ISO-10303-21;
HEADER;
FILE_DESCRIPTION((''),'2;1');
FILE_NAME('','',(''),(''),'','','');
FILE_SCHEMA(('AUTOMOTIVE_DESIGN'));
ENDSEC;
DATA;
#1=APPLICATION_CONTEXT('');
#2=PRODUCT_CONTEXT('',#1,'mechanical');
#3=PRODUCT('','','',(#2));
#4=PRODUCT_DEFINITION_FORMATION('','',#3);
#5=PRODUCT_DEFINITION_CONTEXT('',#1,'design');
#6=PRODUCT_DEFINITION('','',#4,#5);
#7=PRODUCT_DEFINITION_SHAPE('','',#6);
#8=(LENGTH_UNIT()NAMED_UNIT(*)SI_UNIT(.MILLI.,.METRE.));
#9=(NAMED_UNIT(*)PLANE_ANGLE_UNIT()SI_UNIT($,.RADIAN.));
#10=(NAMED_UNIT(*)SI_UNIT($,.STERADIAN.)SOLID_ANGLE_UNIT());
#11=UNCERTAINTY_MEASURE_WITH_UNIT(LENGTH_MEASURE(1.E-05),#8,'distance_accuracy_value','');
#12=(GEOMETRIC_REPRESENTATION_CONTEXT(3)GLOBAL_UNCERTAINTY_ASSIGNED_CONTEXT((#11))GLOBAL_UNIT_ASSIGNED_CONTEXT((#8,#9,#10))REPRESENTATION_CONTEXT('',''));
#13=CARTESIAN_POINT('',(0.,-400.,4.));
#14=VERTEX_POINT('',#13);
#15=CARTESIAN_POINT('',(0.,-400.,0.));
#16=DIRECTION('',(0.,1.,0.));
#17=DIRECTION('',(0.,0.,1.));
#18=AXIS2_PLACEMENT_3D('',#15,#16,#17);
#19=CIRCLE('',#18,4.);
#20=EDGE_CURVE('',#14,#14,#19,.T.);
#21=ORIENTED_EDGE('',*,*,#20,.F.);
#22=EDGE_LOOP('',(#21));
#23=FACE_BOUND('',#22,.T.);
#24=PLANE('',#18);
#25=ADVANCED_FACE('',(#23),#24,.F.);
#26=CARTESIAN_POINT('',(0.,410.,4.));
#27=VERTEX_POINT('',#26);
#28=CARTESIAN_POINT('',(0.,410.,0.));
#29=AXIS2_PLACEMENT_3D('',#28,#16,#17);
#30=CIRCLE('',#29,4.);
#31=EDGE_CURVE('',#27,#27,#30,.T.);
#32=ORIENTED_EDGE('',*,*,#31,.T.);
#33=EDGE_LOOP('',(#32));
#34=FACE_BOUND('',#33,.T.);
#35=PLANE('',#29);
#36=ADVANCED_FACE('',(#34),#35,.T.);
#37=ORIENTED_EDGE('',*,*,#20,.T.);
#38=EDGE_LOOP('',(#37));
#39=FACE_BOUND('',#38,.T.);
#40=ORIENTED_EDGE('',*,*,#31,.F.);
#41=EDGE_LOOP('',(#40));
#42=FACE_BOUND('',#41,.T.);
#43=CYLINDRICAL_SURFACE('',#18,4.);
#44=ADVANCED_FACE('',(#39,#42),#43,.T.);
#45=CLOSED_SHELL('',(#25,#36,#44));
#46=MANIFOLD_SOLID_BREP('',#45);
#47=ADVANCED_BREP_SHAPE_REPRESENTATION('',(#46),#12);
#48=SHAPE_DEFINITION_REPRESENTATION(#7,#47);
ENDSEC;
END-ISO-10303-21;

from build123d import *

# Parameters (mm, degrees)
BOSS_EXTRUDE1_DEPTH      = 410
BOSS_EXTRUDE1_DEPTH_BACK = 400
SKETCH1_R                = 4


with BuildPart() as part:
    # Sketch1 → Boss-Extrude1 (new, two sides: drawn at the far end of the back side and taken through both)
    with BuildSketch(Plane(origin=(0, 0, 0), x_dir=(1, 0, 0), z_dir=(0, 1, 0)).offset(-BOSS_EXTRUDE1_DEPTH_BACK)):
        with Locations(Location((0, 0, 0), (0, 0, 270))):
            Circle(SKETCH1_R)
    extrude(amount=BOSS_EXTRUDE1_DEPTH + BOSS_EXTRUDE1_DEPTH_BACK)


solid = part.part
